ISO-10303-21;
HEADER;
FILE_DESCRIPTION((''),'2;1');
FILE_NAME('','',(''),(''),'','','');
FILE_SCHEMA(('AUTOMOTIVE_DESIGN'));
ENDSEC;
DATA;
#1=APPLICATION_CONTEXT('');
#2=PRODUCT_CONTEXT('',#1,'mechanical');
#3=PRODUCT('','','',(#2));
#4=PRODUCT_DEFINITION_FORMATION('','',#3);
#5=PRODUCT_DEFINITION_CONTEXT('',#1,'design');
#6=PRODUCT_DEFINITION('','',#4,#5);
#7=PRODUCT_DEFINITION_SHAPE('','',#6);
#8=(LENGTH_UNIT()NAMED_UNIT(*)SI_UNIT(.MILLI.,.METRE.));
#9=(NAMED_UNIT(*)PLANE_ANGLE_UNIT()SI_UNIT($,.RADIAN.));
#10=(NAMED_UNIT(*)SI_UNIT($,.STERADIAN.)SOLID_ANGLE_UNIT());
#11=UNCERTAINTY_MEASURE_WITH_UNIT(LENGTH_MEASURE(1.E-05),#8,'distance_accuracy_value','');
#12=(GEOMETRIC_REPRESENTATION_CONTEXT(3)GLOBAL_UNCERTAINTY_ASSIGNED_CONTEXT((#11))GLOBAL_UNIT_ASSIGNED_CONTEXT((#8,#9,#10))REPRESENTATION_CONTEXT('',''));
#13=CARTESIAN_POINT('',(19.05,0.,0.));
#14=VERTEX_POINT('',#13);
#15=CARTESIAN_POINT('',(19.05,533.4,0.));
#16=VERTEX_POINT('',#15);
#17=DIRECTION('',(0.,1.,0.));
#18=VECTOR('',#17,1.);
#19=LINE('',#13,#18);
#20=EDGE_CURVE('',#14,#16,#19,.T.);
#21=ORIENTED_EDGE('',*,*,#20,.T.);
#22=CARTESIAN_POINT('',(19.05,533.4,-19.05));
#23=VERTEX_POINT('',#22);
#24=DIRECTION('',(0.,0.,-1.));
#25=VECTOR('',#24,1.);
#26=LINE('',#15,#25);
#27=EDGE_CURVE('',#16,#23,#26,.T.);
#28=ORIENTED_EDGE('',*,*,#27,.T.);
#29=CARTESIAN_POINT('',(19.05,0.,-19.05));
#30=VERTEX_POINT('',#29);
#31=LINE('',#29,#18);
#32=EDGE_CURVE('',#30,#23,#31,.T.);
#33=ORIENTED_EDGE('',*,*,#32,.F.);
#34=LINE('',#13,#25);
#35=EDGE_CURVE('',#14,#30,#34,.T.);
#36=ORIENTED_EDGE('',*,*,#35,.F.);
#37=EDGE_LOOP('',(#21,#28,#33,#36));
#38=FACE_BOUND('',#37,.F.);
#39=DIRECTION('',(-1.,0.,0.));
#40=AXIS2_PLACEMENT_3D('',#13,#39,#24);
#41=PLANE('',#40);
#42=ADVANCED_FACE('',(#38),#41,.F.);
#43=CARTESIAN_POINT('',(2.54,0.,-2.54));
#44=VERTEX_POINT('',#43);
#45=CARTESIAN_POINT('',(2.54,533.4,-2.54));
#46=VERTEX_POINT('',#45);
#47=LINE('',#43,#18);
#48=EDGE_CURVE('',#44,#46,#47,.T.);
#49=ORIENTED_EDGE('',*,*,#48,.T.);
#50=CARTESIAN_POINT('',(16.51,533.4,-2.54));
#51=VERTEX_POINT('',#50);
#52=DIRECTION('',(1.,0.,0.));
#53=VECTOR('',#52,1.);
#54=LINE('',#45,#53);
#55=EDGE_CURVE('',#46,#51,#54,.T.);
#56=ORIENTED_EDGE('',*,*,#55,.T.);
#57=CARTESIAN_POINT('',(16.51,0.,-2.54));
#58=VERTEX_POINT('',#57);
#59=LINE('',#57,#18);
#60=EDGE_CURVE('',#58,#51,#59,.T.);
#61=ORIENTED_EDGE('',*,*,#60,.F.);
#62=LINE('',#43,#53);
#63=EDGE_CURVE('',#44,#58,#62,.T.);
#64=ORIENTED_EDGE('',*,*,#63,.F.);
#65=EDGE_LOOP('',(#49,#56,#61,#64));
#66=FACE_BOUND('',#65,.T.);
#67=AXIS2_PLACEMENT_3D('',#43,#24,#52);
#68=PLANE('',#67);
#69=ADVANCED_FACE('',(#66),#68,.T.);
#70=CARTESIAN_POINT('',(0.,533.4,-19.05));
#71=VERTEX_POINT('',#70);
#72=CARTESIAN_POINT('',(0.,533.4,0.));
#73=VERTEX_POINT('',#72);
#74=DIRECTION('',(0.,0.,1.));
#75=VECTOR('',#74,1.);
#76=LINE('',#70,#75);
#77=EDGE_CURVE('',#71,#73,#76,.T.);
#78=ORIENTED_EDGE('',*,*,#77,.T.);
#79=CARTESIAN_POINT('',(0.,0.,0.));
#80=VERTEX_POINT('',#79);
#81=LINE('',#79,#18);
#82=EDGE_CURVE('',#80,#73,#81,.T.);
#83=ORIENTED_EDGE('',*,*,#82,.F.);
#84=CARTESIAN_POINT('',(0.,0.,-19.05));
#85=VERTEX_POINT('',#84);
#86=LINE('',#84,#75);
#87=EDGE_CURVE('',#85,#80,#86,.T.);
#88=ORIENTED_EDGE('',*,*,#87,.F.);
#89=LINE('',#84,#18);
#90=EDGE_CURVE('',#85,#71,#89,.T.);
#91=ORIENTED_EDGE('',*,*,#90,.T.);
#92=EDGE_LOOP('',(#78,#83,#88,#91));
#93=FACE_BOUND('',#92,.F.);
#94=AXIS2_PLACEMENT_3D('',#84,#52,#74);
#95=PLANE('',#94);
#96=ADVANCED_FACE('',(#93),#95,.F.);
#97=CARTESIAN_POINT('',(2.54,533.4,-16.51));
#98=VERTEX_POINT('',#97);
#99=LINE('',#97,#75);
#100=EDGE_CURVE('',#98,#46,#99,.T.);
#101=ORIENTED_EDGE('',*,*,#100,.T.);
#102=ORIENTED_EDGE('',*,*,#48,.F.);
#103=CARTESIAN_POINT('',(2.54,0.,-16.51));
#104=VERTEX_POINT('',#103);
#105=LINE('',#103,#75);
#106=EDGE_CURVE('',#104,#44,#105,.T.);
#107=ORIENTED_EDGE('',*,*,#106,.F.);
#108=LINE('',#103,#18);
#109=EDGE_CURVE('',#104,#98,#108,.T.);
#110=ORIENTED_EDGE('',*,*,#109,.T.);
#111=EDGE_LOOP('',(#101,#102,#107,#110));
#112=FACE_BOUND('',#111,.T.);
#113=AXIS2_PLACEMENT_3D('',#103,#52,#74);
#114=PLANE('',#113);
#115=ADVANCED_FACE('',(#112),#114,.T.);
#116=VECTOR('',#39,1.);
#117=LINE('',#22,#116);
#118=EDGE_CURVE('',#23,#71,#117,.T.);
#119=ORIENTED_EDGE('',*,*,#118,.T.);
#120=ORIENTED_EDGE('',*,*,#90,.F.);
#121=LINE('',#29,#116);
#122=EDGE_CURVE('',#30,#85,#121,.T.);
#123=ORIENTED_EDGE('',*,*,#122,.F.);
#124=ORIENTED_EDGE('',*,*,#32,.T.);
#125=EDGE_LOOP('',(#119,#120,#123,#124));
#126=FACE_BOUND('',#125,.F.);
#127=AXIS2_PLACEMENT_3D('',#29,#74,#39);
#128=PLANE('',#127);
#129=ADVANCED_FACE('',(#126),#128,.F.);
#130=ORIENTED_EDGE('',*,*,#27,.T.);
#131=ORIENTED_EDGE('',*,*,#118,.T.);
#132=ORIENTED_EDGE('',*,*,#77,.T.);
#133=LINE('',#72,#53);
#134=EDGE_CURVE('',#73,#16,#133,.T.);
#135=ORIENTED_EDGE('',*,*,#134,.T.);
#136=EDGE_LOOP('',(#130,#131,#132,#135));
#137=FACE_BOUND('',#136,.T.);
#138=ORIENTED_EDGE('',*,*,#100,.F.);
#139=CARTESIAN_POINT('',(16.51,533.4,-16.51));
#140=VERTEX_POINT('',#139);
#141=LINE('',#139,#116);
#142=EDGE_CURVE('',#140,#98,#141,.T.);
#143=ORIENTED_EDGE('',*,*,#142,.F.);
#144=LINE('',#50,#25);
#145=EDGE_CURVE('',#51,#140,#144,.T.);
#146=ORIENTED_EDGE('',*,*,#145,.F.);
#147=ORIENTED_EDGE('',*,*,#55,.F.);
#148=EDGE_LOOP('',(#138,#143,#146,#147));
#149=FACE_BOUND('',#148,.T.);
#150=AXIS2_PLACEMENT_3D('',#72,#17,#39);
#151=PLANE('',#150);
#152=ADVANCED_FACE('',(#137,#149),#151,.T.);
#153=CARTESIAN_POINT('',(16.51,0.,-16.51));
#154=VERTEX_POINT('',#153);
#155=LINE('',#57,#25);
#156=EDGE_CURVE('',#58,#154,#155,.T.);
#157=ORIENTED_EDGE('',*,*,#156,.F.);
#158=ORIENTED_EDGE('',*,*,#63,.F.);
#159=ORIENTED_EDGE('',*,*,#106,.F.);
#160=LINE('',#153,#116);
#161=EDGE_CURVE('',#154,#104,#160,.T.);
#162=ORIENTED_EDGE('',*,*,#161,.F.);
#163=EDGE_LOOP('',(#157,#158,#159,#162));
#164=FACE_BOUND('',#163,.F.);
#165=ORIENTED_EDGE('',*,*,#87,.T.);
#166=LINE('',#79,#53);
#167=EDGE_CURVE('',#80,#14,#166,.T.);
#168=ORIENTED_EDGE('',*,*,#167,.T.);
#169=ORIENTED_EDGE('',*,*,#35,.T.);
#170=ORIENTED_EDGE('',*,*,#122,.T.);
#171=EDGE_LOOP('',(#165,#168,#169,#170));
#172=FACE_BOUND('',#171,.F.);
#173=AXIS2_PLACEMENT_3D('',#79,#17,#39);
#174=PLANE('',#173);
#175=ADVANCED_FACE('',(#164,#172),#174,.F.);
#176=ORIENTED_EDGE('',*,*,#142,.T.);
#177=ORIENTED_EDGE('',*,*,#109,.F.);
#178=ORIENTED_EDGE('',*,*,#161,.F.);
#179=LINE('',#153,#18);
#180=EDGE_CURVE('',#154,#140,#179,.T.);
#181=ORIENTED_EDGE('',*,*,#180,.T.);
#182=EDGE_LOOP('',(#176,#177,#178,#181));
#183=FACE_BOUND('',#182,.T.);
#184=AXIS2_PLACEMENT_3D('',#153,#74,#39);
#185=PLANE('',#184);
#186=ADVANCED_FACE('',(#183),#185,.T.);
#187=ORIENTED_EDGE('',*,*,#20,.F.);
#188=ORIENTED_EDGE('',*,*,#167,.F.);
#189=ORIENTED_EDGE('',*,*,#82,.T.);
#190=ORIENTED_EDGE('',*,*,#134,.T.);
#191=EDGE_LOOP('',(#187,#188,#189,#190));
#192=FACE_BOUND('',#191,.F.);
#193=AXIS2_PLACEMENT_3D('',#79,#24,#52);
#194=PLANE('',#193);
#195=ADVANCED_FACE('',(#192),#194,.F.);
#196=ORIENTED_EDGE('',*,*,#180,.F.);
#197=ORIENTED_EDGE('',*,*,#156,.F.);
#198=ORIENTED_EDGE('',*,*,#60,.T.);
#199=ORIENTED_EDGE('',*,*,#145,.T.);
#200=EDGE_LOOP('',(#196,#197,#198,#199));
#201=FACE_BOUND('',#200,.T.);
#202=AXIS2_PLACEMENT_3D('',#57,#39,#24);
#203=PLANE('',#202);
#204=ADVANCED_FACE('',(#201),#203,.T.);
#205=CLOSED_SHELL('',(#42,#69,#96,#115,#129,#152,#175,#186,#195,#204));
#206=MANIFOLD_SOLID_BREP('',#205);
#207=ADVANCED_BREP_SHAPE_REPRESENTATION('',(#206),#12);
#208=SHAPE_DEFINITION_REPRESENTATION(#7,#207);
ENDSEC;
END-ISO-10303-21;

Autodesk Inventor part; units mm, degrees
ref_plane "YZ Plane" through (0, 0, 0) normal (1, 0, 0) x (0, 1, 0)
ref_plane "XZ Plane" through (0, 0, 0) normal (0, 1, 0) x (-1, 0, 0)
ref_plane "XY Plane" through (0, 0, 0) normal (0, 0, 1) x (1, 0, 0)
sketch "Sketch1" plane through (0, 0, 0) normal (0, 1, 0) x (-1, 0, 0)
  line L0 (0, 0) -> (-19.05, 0)
  line L1 (-19.05, 0) -> (-19.05, -19.05)
  line L2 (-19.05, -19.05) -> (0, -19.05)
  line L3 (0, -19.05) -> (0, 0)
  line L4 (-2.54, -2.54) -> (-16.51, -2.54)
  line L5 (-16.51, -2.54) -> (-16.51, -16.51)
  line L6 (-16.51, -16.51) -> (-2.54, -16.51)
  line L7 (-2.54, -16.51) -> (-2.54, -2.54)
  dimension "d0" = 19.05
  dimension "d1" = 19.05
  dimension "d2" = 2.54
extrude "Extrusion1" add sketch "Sketch1" along normal blind 533.4
properties part number "Aluminum channel (Electrical pannel mount)"
